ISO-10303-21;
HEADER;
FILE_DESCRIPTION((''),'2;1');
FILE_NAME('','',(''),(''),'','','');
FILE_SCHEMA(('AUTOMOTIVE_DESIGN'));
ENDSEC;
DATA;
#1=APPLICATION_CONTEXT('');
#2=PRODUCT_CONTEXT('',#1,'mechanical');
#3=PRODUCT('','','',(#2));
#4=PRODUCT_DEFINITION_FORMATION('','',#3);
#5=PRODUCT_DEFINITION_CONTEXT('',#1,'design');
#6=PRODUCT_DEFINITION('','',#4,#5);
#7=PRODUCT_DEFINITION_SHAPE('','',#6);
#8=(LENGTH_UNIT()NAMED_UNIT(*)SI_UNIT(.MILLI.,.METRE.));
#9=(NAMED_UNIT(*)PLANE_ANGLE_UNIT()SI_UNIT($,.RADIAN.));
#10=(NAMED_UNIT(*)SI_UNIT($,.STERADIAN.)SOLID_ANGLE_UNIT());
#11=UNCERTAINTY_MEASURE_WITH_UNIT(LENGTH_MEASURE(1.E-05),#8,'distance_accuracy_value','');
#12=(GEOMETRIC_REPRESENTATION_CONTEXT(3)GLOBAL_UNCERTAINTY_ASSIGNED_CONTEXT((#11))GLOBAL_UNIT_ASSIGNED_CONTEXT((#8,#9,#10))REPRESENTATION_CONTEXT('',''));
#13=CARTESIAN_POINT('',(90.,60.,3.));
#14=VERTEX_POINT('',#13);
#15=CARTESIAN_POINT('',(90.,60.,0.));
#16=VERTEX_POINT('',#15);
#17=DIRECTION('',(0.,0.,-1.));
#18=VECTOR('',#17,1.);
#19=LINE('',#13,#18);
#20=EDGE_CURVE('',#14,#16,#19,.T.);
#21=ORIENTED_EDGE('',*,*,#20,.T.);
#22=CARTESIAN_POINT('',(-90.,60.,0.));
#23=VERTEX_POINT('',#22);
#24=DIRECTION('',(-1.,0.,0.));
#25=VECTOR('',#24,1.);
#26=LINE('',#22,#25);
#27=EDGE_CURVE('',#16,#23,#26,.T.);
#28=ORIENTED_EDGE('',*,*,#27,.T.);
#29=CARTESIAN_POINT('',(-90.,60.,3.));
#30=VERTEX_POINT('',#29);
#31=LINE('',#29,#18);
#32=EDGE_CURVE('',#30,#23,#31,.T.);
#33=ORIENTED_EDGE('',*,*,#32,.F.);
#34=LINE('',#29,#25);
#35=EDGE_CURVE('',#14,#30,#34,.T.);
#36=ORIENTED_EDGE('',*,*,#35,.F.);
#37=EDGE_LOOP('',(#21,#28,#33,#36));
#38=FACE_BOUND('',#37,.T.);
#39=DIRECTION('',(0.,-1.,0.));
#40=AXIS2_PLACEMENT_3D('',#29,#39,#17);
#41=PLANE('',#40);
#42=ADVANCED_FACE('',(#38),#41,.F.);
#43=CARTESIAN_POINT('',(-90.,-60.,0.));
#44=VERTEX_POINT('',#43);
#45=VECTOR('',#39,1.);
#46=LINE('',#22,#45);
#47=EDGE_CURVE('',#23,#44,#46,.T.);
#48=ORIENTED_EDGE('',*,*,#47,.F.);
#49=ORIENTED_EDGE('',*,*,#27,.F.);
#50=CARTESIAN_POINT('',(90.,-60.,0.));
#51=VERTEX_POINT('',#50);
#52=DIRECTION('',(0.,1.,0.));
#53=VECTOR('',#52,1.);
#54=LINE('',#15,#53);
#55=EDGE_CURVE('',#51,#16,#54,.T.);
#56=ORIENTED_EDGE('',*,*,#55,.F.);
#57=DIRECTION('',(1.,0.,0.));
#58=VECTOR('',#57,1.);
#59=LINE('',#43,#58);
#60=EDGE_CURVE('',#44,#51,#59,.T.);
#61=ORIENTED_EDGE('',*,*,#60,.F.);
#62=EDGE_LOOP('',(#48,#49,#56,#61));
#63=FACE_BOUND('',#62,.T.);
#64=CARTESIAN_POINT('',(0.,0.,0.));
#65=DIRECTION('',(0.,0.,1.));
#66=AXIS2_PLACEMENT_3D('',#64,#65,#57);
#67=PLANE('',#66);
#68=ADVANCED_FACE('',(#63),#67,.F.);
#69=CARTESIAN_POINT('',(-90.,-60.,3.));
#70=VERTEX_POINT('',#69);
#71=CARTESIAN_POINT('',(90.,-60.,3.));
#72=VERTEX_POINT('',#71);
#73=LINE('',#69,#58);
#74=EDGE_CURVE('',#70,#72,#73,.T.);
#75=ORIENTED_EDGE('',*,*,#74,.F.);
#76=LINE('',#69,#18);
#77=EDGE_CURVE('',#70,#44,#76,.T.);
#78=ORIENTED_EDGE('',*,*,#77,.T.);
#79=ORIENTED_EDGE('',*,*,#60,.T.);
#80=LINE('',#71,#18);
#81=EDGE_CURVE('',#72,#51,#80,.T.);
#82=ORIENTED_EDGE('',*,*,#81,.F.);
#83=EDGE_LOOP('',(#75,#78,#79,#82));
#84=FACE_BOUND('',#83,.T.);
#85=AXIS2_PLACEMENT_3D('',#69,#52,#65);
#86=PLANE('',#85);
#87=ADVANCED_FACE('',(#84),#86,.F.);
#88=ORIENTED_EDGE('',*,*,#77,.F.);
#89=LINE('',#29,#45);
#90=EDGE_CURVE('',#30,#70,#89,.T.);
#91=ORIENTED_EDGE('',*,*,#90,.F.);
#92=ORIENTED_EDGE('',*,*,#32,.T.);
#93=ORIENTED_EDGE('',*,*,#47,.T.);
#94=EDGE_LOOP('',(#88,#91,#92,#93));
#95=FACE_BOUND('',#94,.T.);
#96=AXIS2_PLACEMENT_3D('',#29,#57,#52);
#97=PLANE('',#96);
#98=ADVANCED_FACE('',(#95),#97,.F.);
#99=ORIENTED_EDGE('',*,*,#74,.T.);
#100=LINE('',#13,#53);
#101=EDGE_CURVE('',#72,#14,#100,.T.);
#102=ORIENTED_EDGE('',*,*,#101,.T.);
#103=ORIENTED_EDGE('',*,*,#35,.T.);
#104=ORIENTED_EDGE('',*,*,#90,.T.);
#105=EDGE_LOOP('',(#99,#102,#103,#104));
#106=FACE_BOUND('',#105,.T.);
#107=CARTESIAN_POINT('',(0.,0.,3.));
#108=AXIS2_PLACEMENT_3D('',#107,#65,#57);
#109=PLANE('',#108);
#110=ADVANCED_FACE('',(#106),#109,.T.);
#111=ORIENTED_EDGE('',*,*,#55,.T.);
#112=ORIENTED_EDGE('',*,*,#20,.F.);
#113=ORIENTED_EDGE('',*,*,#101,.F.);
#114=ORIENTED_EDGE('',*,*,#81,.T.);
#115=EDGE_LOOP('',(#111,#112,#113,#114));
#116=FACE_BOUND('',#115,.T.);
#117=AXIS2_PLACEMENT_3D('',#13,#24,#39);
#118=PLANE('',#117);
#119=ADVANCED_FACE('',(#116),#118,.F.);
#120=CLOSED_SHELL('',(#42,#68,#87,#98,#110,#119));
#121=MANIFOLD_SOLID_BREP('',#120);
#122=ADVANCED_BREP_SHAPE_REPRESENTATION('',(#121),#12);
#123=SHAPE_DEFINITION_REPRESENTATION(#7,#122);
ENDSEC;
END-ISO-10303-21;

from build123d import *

# Parameters (mm, degrees)
SKETCH_1_W      = 180
SKETCH_1_H      = 120
EXTRUDE_1_DEPTH = 3


with BuildPart() as part:
    # 草图1 → 凸台-拉伸1 (new body)
    with BuildSketch(Plane.XY):
        Rectangle(SKETCH_1_W, SKETCH_1_H)
    extrude(amount=EXTRUDE_1_DEPTH)


solid = part.part
